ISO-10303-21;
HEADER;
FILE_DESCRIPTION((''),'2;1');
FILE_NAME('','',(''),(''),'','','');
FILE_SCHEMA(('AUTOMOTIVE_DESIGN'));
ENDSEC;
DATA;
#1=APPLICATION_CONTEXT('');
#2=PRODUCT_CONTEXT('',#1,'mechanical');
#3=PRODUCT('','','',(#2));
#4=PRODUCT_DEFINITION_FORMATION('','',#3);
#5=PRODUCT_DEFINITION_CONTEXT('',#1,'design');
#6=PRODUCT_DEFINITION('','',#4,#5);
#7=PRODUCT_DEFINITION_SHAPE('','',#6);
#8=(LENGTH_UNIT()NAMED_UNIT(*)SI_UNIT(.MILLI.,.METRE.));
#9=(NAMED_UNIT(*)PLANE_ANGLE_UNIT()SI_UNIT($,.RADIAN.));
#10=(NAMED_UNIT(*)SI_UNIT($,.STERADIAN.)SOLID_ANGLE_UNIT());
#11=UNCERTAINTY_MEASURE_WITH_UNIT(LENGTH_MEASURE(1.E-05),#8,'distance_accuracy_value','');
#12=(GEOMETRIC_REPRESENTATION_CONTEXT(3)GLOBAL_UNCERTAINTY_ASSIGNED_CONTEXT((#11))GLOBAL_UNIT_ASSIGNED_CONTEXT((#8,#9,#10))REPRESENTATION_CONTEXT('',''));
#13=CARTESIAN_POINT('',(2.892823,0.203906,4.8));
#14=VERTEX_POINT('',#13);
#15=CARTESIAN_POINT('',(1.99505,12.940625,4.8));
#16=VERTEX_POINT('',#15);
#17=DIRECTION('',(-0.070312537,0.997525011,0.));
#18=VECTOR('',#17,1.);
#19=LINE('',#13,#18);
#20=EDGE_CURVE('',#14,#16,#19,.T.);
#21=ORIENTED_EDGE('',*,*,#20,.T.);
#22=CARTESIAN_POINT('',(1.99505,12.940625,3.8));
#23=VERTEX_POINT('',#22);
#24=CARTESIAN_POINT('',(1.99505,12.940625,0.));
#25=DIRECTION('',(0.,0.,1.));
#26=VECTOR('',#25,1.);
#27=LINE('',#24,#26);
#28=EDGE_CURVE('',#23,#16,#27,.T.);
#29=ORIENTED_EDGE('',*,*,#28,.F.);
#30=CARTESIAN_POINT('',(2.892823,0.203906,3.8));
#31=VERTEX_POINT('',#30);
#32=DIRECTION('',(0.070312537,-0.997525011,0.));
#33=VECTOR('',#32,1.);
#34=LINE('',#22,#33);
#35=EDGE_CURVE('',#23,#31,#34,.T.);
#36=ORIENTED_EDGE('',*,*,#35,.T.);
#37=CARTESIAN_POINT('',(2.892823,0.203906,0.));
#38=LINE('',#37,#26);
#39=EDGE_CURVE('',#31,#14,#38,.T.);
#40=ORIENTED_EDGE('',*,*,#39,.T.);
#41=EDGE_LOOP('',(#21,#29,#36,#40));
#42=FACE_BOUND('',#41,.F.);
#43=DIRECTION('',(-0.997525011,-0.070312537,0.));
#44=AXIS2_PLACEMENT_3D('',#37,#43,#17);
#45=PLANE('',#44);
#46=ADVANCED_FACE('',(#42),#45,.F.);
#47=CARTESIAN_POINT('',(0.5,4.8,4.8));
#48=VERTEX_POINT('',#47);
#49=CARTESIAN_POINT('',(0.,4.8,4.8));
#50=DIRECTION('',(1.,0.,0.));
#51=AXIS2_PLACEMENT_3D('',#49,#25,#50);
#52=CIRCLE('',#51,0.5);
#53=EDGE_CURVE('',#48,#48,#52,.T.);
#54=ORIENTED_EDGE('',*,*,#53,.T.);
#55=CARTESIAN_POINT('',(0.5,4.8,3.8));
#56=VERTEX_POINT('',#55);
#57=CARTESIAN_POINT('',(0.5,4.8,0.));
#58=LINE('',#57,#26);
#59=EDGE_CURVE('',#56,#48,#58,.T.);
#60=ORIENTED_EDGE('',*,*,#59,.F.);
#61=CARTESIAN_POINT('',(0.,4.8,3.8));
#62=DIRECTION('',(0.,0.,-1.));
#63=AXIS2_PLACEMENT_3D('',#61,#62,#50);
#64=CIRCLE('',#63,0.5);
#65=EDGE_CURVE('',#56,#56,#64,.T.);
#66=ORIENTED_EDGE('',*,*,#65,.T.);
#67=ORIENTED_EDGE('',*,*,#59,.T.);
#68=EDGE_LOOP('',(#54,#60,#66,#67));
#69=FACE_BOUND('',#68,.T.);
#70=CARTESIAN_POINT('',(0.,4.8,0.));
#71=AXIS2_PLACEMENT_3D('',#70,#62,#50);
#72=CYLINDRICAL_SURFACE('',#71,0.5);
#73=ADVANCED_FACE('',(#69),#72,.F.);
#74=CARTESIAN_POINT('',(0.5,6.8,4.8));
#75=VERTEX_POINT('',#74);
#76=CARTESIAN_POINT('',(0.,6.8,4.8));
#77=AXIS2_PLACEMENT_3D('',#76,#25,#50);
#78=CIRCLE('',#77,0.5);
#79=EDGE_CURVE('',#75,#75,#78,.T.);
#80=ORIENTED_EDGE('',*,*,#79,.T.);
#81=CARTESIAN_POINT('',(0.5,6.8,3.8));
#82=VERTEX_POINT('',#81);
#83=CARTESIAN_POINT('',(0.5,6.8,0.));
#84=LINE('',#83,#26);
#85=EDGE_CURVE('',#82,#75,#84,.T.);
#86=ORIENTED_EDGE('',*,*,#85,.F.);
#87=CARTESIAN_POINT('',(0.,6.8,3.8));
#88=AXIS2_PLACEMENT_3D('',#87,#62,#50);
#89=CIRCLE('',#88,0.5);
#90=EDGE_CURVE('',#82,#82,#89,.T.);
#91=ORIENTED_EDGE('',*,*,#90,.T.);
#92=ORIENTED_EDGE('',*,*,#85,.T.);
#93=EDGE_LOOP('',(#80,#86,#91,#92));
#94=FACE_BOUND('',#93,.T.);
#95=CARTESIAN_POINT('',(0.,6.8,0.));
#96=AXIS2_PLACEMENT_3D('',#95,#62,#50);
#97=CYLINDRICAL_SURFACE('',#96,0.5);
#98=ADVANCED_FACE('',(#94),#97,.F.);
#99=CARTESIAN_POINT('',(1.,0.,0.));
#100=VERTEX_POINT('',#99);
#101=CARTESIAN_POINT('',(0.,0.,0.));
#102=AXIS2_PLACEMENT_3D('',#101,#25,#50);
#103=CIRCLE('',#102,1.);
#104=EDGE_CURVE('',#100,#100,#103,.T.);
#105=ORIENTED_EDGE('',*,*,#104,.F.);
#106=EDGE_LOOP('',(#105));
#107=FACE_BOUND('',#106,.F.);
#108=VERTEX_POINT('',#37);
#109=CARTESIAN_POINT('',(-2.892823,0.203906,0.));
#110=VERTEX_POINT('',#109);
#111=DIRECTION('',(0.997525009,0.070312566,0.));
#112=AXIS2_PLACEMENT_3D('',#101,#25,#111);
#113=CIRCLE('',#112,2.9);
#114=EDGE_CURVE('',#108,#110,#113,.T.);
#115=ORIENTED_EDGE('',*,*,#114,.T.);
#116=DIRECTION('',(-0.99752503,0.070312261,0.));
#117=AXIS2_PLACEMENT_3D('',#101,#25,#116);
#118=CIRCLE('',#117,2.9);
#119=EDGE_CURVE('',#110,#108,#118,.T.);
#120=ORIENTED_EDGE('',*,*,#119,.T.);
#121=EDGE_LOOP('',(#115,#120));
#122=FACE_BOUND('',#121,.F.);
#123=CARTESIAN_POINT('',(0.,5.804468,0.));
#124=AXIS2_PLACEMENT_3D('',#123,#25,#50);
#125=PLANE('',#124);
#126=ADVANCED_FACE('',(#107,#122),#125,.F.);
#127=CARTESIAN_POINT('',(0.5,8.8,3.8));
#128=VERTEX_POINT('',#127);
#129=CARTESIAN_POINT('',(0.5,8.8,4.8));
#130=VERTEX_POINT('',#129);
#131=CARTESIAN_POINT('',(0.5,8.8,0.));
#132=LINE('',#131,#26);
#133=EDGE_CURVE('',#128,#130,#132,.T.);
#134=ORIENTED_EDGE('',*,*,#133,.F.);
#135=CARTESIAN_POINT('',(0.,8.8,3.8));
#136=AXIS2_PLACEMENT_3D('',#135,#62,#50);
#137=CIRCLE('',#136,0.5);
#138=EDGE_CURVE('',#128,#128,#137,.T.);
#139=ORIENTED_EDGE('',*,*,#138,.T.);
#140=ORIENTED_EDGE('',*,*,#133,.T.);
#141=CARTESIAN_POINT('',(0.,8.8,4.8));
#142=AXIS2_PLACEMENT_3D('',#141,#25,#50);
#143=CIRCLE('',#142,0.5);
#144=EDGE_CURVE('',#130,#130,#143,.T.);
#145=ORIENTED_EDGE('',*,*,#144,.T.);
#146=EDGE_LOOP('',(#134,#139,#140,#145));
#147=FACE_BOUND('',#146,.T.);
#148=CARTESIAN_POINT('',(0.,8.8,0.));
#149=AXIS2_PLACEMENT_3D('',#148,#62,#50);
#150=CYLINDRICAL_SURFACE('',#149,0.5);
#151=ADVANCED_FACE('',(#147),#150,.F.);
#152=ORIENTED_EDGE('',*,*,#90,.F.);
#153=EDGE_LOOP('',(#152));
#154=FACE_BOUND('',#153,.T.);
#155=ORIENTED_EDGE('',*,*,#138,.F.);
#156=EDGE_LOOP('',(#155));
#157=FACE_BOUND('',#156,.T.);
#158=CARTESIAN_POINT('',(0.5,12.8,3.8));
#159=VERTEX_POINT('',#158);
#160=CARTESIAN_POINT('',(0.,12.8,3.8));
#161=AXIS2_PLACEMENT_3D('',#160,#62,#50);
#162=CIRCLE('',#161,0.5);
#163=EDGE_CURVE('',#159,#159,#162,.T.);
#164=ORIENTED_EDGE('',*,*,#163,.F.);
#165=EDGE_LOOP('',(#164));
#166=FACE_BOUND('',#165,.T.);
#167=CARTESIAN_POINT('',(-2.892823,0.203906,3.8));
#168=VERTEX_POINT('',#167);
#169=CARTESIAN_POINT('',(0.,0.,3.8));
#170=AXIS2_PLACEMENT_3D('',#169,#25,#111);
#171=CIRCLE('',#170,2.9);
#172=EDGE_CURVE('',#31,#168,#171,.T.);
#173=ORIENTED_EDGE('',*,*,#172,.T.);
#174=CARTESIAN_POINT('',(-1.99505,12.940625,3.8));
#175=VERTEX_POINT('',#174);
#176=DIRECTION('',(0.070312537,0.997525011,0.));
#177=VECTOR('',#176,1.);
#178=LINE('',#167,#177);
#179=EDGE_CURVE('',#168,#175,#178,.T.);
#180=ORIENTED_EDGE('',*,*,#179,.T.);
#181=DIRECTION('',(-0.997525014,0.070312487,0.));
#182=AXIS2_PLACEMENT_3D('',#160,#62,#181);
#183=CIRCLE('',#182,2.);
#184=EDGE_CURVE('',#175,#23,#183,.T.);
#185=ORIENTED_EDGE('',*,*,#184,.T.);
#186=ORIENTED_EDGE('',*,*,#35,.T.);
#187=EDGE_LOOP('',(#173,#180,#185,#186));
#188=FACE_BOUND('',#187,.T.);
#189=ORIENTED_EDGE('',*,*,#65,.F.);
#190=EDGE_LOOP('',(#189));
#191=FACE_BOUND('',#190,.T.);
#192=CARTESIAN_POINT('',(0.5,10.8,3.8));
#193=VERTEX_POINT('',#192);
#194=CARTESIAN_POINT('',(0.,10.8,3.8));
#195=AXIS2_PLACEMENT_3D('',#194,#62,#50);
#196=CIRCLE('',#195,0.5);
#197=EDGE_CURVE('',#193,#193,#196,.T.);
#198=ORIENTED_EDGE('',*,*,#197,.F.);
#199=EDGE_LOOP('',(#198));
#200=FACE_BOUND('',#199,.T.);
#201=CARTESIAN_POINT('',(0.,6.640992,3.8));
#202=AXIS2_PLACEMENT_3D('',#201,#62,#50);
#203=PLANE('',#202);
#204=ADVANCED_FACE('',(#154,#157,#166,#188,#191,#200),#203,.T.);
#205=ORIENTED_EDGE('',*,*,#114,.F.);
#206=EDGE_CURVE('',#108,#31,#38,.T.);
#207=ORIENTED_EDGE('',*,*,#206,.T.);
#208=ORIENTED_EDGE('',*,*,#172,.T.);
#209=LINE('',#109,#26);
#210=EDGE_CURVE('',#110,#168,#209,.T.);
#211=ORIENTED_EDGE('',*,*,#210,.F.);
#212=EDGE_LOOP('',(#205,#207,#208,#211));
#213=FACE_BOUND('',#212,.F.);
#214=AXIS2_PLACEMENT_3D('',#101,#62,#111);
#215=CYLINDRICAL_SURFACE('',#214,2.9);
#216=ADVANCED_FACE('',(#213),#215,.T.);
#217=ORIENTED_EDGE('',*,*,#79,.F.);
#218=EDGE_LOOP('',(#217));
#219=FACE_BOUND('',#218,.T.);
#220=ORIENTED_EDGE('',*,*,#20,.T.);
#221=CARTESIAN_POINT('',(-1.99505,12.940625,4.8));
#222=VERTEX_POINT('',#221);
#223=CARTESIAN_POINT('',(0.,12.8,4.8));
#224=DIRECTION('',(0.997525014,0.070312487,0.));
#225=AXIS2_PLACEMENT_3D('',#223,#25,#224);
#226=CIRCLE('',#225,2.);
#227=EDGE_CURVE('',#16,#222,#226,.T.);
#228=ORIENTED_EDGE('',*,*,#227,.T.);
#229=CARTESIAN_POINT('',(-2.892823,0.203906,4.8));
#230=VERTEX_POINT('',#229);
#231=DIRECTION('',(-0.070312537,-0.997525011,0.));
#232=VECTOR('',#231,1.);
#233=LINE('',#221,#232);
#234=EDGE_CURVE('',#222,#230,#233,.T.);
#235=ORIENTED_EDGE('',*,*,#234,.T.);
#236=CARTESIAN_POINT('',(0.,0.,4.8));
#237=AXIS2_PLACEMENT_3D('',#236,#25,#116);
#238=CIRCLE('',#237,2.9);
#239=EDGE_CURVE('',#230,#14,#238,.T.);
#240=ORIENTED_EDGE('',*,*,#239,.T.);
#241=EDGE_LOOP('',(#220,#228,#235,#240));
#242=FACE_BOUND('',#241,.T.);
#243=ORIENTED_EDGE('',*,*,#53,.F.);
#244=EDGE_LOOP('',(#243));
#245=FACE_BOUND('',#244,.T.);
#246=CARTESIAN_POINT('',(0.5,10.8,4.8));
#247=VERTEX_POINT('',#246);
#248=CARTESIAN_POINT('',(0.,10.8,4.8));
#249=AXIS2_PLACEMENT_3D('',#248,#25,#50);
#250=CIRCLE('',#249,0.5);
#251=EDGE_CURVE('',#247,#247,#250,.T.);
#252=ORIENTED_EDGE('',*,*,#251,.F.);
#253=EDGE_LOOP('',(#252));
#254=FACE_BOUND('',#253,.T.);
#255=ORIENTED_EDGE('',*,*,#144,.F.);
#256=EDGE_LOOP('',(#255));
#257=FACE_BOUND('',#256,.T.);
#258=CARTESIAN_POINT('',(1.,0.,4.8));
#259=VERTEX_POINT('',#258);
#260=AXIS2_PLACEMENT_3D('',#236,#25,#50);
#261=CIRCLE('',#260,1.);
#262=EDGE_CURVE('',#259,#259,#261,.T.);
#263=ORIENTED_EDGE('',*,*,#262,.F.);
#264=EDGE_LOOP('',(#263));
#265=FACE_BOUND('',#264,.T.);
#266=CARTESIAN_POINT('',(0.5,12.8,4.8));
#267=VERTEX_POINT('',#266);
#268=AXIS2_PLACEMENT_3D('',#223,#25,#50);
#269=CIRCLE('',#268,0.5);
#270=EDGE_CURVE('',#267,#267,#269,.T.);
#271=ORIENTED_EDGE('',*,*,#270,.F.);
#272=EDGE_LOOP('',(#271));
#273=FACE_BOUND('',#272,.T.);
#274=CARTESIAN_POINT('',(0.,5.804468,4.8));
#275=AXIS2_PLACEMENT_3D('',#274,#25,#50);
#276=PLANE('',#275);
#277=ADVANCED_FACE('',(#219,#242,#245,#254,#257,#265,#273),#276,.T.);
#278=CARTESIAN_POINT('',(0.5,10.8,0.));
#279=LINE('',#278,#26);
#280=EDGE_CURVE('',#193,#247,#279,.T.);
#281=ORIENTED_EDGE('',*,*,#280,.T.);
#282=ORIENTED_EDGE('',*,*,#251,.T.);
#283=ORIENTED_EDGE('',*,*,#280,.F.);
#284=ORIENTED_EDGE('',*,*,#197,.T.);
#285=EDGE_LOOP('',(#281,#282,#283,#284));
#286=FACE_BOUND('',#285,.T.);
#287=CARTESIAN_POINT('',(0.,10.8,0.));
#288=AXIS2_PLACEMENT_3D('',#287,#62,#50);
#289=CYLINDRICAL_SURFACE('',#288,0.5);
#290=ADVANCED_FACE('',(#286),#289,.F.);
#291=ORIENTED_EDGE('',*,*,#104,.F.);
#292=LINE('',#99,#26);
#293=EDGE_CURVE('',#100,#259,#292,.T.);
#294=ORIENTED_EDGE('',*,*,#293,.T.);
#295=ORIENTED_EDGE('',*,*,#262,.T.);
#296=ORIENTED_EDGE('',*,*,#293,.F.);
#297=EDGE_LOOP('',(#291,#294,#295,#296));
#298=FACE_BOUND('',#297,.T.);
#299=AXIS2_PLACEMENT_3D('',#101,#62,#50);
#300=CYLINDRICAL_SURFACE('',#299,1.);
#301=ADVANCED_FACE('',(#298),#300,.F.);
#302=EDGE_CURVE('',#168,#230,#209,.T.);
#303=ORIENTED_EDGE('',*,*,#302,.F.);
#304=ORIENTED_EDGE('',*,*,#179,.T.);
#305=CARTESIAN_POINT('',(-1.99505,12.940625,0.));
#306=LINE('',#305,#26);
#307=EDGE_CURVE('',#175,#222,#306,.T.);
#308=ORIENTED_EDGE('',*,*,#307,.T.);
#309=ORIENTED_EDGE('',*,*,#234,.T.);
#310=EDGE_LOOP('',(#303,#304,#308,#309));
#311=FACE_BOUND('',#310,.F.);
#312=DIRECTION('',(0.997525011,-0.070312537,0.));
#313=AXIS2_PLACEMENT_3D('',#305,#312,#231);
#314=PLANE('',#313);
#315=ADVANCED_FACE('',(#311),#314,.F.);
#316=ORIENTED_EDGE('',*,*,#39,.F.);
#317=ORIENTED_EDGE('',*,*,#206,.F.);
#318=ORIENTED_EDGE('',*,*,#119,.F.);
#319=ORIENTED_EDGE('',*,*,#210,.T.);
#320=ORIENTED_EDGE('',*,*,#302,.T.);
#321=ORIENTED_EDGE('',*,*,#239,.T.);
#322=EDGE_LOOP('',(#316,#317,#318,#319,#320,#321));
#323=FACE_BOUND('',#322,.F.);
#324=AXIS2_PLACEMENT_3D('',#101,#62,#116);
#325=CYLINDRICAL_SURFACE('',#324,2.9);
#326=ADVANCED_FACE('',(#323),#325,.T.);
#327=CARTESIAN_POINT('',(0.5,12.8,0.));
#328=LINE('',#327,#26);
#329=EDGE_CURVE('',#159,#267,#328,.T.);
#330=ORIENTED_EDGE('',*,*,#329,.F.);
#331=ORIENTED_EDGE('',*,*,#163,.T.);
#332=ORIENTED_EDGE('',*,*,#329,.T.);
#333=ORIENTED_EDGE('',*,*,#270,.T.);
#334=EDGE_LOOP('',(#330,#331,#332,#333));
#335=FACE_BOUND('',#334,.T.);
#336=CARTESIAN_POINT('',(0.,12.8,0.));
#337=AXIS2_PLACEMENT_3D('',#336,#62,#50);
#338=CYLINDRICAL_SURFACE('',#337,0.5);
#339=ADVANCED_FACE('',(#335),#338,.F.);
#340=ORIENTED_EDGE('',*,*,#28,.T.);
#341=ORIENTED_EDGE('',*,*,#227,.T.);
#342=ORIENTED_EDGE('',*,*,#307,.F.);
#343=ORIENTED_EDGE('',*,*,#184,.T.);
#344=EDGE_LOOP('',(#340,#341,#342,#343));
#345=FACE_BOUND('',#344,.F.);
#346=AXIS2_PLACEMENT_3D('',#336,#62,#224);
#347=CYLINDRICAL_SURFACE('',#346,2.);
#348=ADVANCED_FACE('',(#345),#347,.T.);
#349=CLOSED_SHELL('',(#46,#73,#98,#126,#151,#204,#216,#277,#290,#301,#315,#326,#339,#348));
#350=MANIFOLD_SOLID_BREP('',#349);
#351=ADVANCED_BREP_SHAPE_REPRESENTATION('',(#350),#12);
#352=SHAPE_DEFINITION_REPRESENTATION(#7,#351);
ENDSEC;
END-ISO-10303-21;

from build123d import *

# Parameters (mm, degrees)
F0_R     = 1
F0_R_2   = 0.5
F1_DEPTH = 4.8
F3_DEPTH = 3.8


with BuildPart() as f1:
    # F0 (on Top) → F1 (new body)
    with BuildSketch(Plane.XY):
        with BuildLine():
            Line((-1.99505, 12.940625), (-2.892823, 0.203906))
            ThreePointArc((-2.892823, 0.203906), (0, -2.9), (2.892823, 0.203906))
            Line((2.892823, 0.203906), (1.99505, 12.940625))
            ThreePointArc((1.99505, 12.940625), (0, 14.8), (-1.99505, 12.940625))
        make_face()
        Circle(F0_R, mode=Mode.SUBTRACT)
        with Locations((0, 4.8)):
            Circle(F0_R_2, mode=Mode.SUBTRACT)
        with Locations((0, 6.8)):
            Circle(F0_R_2, mode=Mode.SUBTRACT)
        with Locations((0, 8.8)):
            Circle(F0_R_2, mode=Mode.SUBTRACT)
        with Locations((0, 10.8)):
            Circle(F0_R_2, mode=Mode.SUBTRACT)
        with Locations((0, 12.8)):
            Circle(F0_R_2, mode=Mode.SUBTRACT)
    extrude(amount=F1_DEPTH)

    # F2 (on face) → F3 (cut)
    with BuildSketch(Plane(origin=(0, 0, 0), x_dir=(1, 0, 0), z_dir=(0, 0, -1))):
        with BuildLine():
            ThreePointArc((2.892823, -0.203906), (0, -2.9), (-2.892823, -0.203906))
            Line((-2.892823, -0.203906), (-1.99505, -12.940625))
            ThreePointArc((-1.99505, -12.940625), (0, -14.8), (1.99505, -12.940625))
            Line((1.99505, -12.940625), (2.892823, -0.203906))
        make_face()
    extrude(amount=-F3_DEPTH, mode=Mode.SUBTRACT)


solid = f1.part
